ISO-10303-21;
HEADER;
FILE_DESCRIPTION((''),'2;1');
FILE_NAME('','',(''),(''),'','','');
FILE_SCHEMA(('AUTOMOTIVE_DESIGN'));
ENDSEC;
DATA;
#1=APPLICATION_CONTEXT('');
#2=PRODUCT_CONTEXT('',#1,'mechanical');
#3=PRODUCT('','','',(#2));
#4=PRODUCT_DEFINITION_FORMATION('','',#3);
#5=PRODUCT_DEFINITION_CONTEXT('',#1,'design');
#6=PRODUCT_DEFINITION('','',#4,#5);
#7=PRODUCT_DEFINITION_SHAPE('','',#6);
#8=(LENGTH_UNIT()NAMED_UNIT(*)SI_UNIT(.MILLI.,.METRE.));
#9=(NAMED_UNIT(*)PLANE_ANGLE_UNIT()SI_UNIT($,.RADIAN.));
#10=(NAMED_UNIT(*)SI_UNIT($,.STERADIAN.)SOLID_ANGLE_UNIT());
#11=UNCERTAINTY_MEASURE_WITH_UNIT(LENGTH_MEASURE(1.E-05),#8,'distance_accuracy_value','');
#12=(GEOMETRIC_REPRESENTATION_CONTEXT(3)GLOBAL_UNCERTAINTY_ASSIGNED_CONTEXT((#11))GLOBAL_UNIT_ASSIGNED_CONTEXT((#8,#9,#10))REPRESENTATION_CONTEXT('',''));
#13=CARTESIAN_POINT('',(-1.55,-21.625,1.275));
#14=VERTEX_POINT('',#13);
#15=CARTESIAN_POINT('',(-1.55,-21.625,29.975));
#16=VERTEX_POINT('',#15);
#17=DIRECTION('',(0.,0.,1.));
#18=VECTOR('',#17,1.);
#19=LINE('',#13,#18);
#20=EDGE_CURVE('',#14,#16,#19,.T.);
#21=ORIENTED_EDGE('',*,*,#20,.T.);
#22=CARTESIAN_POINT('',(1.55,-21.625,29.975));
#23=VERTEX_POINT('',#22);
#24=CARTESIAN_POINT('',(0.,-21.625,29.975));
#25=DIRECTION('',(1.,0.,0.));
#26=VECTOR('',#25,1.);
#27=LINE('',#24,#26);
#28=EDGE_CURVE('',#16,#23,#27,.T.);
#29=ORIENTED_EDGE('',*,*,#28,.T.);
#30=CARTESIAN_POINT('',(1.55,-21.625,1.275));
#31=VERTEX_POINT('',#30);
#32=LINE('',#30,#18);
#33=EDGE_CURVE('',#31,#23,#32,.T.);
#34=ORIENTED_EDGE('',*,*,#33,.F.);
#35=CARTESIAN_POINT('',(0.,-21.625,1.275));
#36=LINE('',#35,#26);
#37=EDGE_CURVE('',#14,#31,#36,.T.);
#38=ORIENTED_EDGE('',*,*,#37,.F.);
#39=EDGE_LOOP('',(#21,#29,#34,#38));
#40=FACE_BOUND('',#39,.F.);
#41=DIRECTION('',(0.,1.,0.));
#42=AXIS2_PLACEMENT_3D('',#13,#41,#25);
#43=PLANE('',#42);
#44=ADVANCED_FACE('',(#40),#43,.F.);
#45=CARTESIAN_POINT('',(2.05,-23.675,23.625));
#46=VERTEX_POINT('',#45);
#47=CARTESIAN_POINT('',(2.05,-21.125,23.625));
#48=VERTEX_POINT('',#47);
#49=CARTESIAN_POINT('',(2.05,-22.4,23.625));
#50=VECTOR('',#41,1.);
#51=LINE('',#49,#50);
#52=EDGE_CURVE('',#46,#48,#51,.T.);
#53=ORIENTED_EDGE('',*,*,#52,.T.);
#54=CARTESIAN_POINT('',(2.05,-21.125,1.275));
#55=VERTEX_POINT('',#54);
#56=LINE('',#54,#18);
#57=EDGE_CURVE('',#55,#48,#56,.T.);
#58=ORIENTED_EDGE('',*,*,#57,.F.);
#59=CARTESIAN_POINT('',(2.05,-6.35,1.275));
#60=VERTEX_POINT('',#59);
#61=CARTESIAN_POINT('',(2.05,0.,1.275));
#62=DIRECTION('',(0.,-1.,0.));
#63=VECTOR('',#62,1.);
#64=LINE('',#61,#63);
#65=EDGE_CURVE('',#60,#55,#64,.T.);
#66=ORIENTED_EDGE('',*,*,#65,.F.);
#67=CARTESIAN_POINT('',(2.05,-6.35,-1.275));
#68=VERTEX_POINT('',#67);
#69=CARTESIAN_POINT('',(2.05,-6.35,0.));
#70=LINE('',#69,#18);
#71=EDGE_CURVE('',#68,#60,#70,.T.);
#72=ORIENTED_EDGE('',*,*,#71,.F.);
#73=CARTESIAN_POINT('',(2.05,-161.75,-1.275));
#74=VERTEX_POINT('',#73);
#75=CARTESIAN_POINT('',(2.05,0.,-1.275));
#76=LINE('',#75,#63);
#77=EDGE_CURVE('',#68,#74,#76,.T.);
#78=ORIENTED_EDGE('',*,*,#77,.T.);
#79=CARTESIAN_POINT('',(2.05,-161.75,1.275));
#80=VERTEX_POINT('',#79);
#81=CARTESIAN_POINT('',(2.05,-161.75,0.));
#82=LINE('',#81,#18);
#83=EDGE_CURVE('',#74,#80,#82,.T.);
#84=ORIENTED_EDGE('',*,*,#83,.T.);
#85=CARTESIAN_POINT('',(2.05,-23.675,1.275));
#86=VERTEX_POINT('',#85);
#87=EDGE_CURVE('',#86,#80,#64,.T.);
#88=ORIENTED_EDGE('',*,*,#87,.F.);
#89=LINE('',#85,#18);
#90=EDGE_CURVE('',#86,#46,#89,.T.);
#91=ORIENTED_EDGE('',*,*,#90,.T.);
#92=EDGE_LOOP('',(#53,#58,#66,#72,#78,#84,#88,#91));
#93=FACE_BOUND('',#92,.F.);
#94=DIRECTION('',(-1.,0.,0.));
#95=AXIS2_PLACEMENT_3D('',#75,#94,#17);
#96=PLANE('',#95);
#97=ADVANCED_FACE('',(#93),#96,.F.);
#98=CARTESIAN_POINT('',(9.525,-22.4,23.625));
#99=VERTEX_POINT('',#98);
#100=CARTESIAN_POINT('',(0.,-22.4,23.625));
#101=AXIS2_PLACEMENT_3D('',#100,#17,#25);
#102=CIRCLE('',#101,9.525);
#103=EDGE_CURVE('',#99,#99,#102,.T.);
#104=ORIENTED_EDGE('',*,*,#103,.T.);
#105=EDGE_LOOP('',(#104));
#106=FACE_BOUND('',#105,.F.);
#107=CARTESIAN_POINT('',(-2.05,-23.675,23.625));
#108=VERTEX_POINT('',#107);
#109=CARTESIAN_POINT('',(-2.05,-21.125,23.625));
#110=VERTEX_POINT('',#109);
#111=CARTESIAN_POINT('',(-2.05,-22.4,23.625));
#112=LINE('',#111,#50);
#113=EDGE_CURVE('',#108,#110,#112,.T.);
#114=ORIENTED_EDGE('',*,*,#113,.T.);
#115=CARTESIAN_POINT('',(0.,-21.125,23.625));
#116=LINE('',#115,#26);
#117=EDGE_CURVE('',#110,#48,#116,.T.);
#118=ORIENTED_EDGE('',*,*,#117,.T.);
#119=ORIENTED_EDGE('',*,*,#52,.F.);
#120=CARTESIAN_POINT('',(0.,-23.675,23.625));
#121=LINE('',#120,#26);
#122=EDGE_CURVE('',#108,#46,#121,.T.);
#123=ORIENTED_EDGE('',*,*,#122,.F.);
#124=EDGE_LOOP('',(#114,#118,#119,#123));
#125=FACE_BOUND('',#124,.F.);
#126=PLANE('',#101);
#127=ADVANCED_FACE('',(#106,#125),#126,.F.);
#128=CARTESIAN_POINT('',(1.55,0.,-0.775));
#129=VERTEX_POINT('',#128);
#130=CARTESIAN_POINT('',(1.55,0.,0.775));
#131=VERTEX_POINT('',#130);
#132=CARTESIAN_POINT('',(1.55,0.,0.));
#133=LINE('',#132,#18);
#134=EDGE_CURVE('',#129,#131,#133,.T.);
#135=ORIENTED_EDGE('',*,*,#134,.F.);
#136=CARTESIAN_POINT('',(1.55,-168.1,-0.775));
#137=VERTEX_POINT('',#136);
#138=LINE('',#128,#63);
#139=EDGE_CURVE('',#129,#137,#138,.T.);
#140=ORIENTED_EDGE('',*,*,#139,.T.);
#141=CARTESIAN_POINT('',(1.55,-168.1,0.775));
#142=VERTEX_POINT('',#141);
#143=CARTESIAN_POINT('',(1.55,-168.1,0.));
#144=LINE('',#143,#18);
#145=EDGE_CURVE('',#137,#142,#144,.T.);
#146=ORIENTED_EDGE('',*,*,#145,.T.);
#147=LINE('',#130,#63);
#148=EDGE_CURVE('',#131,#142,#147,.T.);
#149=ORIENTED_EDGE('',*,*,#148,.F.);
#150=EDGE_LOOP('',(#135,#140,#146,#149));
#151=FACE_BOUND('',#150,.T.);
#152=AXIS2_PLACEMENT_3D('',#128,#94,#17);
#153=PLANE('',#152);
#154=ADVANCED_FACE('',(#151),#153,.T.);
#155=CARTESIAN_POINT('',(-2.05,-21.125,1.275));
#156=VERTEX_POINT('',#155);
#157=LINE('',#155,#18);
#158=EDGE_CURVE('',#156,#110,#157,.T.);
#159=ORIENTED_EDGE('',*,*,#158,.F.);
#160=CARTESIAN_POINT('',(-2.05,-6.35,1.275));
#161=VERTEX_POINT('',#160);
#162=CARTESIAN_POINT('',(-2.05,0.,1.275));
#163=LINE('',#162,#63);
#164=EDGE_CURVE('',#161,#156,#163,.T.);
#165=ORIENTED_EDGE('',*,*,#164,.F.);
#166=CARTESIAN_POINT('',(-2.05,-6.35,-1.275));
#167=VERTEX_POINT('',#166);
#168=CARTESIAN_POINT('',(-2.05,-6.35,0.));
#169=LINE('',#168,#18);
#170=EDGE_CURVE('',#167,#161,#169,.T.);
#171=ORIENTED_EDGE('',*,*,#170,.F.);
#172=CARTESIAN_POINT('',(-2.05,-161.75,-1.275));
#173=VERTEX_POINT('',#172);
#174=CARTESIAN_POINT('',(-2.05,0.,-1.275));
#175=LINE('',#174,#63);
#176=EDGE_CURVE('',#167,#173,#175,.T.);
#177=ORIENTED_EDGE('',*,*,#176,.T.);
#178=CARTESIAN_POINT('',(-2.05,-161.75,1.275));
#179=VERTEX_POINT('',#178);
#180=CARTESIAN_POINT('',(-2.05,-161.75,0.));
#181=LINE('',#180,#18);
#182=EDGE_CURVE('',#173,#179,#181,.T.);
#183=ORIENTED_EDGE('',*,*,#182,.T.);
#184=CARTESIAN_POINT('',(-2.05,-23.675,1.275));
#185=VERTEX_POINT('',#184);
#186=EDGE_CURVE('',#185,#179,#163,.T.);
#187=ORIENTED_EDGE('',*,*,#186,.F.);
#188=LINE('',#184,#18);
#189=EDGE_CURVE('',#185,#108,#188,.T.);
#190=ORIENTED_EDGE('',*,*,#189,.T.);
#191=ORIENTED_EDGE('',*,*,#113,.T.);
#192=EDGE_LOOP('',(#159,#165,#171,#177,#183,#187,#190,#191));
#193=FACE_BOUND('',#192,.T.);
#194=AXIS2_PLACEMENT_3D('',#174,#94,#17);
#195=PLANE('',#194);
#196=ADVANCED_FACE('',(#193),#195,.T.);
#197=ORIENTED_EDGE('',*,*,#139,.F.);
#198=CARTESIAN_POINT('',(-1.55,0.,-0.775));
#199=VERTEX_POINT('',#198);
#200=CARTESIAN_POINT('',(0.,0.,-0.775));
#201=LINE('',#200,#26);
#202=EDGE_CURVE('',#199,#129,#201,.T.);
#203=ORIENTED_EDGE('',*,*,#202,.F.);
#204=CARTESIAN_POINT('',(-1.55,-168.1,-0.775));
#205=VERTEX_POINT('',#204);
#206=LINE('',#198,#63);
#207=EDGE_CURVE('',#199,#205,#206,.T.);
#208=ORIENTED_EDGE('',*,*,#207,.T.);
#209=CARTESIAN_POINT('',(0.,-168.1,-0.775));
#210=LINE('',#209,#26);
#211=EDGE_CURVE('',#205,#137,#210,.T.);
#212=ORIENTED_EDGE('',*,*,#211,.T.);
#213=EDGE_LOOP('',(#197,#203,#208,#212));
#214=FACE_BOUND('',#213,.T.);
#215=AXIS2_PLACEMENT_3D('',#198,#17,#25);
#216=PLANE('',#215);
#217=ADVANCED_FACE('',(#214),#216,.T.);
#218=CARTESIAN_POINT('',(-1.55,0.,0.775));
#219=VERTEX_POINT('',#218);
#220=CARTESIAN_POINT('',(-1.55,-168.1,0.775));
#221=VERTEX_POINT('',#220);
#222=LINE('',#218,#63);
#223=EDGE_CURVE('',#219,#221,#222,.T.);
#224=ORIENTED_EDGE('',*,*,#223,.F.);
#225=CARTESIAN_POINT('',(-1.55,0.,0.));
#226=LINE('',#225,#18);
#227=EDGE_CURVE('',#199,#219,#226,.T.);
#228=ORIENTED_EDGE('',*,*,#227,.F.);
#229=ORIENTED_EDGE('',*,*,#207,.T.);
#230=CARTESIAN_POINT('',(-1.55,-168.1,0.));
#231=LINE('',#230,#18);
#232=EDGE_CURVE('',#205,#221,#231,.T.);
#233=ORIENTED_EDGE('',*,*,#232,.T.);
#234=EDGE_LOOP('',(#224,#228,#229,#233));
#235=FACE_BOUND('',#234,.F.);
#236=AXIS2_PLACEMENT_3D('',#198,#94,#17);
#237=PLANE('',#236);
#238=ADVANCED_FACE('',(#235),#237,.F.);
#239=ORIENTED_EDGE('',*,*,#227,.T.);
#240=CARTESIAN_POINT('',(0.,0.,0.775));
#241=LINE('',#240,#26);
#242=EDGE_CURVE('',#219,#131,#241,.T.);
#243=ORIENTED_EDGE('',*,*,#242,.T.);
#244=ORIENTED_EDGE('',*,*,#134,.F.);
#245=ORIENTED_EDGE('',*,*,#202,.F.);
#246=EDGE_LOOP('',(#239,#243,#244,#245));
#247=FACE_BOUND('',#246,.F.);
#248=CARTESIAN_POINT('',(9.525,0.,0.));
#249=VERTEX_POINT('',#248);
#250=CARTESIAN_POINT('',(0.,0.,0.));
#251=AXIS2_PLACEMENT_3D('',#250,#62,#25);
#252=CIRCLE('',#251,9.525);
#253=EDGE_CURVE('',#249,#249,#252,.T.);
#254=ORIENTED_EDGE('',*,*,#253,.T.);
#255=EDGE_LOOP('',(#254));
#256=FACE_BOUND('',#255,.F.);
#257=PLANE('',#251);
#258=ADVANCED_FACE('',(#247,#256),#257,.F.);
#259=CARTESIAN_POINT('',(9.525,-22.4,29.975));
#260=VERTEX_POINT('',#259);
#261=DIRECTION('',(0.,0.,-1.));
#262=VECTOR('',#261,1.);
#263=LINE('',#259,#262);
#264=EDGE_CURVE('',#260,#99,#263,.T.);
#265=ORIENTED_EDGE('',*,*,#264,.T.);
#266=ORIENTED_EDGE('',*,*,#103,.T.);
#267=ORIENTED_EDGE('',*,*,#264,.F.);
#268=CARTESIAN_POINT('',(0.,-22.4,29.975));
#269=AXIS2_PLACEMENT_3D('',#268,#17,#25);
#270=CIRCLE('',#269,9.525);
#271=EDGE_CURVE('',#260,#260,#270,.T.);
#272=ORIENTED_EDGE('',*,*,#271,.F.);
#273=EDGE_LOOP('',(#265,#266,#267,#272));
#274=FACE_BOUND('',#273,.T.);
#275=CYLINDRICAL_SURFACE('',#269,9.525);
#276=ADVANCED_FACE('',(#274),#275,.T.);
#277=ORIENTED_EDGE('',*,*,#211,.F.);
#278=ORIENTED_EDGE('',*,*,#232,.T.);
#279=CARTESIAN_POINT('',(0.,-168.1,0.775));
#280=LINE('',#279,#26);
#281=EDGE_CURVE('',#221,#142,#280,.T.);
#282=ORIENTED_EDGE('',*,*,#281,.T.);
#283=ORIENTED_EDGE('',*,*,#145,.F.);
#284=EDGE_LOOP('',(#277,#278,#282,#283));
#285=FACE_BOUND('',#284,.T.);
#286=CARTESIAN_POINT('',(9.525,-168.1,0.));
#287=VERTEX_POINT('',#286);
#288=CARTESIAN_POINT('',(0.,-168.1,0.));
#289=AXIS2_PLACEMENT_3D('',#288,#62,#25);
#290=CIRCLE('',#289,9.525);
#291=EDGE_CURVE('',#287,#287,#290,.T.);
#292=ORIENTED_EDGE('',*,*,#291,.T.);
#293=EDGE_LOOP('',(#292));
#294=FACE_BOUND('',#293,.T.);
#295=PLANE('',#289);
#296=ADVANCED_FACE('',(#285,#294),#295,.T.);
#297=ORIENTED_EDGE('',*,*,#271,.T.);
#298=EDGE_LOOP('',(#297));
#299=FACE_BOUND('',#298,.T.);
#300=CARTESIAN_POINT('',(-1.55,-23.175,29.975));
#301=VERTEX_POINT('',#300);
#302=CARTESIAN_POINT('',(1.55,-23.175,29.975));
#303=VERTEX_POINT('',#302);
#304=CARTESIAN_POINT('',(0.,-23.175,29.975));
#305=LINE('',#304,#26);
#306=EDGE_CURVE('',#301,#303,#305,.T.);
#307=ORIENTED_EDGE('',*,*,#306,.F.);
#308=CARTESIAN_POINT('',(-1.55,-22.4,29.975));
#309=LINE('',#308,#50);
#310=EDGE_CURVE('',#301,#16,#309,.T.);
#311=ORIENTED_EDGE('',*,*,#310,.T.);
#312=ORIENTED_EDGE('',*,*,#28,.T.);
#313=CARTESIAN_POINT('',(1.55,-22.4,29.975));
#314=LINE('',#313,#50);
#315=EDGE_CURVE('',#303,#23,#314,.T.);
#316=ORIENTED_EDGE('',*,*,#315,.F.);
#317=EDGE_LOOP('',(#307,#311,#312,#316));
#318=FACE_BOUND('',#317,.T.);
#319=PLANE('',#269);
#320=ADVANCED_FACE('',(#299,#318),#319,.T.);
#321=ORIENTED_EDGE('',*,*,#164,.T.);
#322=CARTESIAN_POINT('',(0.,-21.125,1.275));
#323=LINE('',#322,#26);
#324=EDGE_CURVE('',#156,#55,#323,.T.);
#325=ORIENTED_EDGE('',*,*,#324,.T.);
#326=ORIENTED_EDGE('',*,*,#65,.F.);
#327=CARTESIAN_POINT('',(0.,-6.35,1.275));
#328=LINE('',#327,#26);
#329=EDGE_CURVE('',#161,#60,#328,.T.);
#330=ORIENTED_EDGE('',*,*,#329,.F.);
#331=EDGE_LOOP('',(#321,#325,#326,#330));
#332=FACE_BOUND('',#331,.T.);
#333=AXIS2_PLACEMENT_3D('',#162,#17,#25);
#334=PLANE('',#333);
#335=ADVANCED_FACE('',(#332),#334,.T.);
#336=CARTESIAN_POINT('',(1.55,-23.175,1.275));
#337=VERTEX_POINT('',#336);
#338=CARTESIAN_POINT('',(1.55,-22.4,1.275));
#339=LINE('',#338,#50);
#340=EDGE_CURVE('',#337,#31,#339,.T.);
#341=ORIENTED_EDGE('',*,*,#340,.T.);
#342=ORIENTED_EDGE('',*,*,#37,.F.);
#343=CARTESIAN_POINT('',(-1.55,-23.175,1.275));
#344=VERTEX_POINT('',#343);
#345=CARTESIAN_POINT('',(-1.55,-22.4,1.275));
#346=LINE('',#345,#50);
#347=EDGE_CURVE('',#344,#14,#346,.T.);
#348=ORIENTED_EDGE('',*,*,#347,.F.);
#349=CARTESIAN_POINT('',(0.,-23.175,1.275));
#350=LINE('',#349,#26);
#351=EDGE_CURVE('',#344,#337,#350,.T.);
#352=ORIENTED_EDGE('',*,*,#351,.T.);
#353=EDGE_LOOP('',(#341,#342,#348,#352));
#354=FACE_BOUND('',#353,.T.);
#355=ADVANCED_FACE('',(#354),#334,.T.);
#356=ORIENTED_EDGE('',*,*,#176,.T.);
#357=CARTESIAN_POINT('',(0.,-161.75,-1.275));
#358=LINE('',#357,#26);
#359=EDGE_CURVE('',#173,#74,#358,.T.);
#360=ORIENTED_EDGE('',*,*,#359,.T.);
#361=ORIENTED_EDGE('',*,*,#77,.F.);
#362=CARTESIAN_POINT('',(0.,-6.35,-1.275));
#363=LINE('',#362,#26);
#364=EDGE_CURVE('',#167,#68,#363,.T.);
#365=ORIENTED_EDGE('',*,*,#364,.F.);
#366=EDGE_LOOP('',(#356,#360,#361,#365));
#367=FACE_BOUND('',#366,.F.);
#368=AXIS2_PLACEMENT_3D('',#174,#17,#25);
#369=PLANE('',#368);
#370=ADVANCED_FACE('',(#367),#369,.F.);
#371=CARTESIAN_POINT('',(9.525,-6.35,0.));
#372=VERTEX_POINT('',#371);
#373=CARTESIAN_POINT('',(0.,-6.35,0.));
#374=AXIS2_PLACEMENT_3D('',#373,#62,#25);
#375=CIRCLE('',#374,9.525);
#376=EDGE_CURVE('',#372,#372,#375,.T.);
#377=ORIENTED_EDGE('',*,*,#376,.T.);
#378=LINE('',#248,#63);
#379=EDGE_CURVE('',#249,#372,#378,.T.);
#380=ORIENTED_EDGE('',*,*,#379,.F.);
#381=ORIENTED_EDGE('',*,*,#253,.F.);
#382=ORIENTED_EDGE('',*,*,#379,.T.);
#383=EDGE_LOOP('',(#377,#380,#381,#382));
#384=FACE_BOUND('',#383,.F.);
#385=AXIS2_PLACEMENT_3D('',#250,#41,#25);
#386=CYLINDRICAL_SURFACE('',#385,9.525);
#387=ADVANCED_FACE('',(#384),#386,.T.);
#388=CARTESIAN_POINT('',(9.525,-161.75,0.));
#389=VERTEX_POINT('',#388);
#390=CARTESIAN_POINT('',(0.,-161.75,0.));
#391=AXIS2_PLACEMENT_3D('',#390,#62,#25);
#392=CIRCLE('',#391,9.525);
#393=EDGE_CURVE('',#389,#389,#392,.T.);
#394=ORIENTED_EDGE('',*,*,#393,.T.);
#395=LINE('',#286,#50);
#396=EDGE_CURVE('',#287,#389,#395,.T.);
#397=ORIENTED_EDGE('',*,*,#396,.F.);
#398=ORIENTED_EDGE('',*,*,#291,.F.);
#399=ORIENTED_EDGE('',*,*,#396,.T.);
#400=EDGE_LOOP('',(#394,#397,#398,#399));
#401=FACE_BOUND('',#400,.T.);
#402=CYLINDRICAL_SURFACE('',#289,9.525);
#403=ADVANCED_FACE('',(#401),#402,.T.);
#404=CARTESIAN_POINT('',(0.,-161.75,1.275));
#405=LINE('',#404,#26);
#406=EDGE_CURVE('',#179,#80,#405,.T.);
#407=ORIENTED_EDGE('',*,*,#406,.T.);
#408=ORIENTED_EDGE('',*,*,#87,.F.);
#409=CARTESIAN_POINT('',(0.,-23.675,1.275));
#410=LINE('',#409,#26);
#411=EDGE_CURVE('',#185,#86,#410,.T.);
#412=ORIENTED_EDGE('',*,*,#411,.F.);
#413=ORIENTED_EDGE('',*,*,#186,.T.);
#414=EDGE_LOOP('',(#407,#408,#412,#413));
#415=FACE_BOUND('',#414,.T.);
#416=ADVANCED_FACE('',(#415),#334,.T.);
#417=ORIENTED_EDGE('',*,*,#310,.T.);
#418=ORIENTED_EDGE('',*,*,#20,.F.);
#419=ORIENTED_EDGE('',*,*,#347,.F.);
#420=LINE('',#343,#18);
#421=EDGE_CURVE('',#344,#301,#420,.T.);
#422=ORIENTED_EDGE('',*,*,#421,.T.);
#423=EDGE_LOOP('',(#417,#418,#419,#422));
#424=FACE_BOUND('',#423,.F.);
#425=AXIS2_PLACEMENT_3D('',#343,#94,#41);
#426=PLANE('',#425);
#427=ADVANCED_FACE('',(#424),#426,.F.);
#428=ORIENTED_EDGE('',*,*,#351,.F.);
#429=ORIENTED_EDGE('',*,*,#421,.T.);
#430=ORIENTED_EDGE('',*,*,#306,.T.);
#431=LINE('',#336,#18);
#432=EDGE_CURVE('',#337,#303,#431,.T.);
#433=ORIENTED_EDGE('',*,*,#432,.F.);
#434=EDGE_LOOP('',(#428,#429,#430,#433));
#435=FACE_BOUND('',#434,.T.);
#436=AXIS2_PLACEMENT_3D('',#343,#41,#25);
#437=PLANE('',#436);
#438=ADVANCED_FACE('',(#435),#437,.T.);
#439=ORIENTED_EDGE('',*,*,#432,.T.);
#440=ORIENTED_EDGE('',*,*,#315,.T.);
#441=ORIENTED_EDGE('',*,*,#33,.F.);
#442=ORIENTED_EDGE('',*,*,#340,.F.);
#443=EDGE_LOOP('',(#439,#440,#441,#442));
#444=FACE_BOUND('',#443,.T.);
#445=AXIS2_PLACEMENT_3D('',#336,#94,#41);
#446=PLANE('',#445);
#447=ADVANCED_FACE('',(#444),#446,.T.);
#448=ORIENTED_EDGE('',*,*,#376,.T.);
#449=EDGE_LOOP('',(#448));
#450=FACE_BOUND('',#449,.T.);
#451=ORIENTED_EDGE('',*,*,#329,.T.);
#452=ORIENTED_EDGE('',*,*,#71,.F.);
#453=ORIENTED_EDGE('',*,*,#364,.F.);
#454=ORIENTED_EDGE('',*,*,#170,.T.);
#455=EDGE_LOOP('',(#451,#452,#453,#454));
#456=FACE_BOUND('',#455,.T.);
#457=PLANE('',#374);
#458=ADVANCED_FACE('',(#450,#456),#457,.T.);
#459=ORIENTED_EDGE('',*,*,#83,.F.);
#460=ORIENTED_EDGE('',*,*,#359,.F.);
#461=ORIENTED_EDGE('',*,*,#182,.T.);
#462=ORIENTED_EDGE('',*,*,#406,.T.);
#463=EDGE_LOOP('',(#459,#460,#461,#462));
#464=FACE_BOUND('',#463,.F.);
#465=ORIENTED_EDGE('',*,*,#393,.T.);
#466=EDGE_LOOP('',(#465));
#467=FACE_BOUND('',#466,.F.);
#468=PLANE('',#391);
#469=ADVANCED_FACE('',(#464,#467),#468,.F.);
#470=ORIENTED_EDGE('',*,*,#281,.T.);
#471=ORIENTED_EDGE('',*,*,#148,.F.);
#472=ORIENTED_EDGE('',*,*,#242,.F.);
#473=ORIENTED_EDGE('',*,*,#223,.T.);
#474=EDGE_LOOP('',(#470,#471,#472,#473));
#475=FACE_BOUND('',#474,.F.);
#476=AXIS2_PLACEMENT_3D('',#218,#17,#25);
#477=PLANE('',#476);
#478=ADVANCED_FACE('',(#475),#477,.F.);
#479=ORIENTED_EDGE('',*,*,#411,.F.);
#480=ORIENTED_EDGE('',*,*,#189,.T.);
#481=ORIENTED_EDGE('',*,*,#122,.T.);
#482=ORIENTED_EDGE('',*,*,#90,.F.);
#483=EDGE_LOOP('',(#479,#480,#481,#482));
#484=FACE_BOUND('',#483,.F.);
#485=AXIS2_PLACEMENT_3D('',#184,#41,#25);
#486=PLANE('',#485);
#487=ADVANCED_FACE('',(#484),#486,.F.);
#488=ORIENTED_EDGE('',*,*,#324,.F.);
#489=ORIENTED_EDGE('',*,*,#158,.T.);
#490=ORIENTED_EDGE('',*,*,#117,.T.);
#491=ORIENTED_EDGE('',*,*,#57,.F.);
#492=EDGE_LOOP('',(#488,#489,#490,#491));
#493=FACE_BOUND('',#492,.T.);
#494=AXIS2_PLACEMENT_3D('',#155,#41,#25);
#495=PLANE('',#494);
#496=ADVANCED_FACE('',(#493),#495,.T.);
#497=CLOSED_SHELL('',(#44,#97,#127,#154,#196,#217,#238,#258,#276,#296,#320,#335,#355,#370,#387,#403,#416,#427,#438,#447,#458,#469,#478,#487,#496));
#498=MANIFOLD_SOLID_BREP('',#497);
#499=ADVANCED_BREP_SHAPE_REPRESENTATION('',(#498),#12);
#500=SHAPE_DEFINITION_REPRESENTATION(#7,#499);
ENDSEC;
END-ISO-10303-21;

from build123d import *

# Parameters (mm, degrees)
F0_W      = 4.1
F0_H      = 2.55
F0_W_2    = 3.1
F0_H_2    = 1.55
F2_DEPTH  = 168.1
F0_R      = 9.525
F3_DEPTH  = 6.35
F6_W      = 4.1
F6_H      = 2.55
F6_W_2    = 3.1
F6_H_2    = 1.55
F7_DEPTH  = 28.7
F8_R      = 9.525
F8_W      = 4.1
F8_H      = 2.55
F9_DEPTH  = 6.35
F4_R      = 9.525
F4_W      = 4.1
F4_H      = 2.55
F10_DEPTH = 6.35


with BuildPart() as f2:
    # F0 (on Front) → F2 (new body)
    with BuildSketch(Plane.XZ):
        Rectangle(F0_W, F0_H)
        Rectangle(F0_W_2, F0_H_2, mode=Mode.SUBTRACT)
    extrude(amount=F2_DEPTH)

    # F0 (on Front) → F3 (join)
    with BuildSketch(Plane.XZ):
        Circle(F0_R)
        Rectangle(F0_W, F0_H, mode=Mode.SUBTRACT)
    extrude(amount=F3_DEPTH)

    # F6 (on offset) → F7 (join)
    with BuildSketch(Plane.XY.offset(1.275)):
        with Locations((0, -22.4)):
            Rectangle(F6_W, F6_H)
        with Locations((0, -22.4)):
            Rectangle(F6_W_2, F6_H_2, mode=Mode.SUBTRACT)
    extrude(amount=F7_DEPTH)

    # F8 (on face) → F9 (join)
    with BuildSketch(Plane.XY.offset(29.975)):
        with Locations((0, -22.4)):
            Circle(F8_R)
        with Locations((0, -22.4)):
            Rectangle(F8_W, F8_H, mode=Mode.SUBTRACT)
    extrude(amount=-F9_DEPTH)

    # F4 (on face) → F10 (join)
    with BuildSketch(Plane.XZ.offset(168.1)):
        Circle(F4_R)
        Rectangle(F4_W, F4_H, mode=Mode.SUBTRACT)
    extrude(amount=-F10_DEPTH)


solid = f2.part
